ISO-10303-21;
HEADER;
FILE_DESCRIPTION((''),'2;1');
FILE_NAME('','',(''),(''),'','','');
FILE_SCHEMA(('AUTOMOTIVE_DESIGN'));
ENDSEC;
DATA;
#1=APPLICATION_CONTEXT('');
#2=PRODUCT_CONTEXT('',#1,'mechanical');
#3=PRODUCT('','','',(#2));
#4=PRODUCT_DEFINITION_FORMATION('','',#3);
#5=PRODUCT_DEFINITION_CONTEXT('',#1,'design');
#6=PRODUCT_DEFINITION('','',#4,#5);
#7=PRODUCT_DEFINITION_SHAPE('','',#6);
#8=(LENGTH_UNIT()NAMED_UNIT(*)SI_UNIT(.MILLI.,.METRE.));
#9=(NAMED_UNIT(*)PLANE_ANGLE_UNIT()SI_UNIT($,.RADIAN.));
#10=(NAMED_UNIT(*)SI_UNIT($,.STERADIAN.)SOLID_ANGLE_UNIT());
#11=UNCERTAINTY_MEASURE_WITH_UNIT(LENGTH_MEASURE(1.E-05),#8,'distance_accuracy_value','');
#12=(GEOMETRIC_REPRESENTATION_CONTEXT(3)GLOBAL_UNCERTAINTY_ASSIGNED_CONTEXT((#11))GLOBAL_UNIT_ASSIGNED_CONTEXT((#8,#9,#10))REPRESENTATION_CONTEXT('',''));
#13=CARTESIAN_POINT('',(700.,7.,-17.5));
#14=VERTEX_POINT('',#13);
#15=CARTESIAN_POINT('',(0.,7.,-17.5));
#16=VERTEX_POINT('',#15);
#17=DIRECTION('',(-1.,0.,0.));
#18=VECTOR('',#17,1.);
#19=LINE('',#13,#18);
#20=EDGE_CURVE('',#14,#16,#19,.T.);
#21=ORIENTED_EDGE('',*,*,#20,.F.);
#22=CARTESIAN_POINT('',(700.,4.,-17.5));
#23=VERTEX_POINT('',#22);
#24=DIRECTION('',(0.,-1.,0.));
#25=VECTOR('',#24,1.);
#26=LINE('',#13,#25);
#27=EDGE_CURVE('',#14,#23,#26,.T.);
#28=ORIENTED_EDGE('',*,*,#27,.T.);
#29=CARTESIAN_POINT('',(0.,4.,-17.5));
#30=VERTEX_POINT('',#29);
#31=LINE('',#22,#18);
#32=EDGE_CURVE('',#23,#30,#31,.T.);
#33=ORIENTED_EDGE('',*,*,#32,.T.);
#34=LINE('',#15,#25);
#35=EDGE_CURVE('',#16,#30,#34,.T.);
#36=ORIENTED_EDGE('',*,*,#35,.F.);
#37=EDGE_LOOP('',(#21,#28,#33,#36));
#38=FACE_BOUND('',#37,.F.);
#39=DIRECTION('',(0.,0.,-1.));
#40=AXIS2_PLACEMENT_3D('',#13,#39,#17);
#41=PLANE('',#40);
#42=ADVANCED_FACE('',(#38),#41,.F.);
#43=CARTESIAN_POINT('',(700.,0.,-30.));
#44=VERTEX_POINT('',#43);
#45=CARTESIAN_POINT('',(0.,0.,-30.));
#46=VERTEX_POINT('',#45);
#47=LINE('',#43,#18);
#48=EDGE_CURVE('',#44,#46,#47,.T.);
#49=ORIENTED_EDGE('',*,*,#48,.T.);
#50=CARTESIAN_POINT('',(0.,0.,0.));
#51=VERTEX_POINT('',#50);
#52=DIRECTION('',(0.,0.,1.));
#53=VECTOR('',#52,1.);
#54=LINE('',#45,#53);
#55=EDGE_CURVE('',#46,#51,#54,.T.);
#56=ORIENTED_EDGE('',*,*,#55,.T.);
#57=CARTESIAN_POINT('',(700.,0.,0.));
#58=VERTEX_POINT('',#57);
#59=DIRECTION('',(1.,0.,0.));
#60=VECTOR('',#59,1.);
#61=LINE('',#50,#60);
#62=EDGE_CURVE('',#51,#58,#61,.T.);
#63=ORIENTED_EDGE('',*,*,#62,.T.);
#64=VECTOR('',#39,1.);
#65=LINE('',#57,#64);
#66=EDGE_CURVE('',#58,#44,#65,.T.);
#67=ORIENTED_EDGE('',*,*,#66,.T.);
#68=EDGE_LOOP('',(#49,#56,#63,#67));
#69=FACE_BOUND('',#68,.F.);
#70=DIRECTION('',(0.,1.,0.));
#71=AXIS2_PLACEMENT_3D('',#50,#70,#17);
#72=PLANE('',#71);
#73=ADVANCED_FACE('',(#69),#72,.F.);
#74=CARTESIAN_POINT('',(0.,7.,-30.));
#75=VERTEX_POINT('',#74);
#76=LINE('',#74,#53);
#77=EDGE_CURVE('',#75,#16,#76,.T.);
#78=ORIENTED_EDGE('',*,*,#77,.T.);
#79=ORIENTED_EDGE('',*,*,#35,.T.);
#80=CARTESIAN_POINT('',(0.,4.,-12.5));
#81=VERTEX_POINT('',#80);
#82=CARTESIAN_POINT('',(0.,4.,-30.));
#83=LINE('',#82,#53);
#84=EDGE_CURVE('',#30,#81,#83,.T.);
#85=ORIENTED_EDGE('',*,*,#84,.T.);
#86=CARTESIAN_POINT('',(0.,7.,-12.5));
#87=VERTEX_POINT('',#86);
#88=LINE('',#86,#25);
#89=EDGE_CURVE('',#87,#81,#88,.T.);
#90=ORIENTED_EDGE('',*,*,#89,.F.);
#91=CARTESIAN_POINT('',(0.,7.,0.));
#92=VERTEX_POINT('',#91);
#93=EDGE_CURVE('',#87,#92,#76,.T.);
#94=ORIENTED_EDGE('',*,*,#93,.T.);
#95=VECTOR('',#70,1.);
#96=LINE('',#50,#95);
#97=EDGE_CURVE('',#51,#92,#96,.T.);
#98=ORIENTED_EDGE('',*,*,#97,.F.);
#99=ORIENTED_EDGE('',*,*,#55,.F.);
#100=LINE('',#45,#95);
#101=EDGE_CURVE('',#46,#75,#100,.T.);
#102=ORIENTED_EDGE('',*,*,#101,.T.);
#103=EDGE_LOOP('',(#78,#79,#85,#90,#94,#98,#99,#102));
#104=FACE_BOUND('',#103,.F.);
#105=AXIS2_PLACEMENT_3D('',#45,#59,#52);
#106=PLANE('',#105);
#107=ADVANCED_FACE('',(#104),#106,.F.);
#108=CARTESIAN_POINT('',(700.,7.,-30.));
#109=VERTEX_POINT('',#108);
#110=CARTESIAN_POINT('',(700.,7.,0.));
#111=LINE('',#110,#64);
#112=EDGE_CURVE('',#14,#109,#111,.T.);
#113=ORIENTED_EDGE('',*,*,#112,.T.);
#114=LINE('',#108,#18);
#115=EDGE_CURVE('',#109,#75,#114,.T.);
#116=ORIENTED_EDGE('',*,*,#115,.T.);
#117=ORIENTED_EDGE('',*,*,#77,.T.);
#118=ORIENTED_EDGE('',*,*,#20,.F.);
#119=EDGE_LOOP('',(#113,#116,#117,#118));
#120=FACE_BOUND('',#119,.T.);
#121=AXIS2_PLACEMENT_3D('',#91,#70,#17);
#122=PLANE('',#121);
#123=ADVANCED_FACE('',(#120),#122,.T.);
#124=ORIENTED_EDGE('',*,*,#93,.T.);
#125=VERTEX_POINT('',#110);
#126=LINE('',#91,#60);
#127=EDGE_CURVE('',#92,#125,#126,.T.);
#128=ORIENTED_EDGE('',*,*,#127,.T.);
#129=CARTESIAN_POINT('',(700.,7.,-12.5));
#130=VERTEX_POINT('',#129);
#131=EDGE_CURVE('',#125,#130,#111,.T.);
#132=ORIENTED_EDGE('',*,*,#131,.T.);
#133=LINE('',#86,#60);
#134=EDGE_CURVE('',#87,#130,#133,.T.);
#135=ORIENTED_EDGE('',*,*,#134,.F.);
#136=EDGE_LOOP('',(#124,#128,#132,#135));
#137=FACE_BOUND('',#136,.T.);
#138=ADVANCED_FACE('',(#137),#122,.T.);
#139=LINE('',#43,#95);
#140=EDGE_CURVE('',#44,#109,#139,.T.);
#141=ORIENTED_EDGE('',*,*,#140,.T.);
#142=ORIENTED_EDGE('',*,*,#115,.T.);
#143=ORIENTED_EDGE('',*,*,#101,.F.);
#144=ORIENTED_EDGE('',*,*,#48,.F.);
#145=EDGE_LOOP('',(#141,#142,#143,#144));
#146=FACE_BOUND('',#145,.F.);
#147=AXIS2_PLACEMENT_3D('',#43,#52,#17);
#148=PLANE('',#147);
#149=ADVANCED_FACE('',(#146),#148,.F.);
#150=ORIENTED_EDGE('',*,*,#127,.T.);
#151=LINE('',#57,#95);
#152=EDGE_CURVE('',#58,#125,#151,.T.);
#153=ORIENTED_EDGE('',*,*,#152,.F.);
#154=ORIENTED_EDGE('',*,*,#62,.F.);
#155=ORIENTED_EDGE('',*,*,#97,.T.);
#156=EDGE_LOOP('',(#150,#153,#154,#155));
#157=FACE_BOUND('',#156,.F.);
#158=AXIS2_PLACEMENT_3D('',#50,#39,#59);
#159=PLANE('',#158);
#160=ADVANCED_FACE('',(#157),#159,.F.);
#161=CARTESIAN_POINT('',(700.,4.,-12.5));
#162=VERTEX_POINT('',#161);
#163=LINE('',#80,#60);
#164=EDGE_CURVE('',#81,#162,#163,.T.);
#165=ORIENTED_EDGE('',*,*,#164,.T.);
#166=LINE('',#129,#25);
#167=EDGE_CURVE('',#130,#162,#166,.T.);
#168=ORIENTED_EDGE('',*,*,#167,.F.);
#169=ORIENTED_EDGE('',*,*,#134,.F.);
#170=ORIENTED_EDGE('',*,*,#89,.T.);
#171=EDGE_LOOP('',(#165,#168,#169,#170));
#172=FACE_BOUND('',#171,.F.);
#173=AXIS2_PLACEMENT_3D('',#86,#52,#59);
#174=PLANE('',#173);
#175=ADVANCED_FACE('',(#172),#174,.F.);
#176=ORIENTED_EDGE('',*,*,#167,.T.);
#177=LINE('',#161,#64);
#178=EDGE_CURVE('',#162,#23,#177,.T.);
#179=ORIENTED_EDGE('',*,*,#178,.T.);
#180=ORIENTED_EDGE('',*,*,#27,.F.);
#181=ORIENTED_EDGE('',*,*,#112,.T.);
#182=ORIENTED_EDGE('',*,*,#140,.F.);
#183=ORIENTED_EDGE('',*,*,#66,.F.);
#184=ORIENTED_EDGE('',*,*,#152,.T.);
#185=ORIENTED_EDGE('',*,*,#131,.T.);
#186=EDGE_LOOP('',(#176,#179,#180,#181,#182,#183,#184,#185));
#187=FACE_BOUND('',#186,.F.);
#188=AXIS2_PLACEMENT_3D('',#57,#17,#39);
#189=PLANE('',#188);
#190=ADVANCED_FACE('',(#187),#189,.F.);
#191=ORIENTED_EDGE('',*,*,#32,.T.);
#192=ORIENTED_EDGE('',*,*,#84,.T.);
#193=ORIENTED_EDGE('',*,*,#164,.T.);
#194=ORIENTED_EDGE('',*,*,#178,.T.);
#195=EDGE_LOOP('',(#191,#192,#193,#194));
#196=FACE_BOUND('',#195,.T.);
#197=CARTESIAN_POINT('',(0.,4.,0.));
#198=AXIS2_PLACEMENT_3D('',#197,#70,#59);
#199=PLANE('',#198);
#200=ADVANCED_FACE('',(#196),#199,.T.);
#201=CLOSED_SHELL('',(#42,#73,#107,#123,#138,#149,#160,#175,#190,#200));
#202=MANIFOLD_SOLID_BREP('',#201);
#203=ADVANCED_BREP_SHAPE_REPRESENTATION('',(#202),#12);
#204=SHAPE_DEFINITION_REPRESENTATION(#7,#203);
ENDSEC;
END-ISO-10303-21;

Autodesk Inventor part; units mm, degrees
ref_plane "YZ Plane" through (0, 0, 0) normal (1, 0, 0) x (0, 1, 0)
ref_plane "XZ Plane" through (0, 0, 0) normal (0, 1, 0) x (-1, 0, 0)
ref_plane "XY Plane" through (0, 0, 0) normal (0, 0, 1) x (1, 0, 0)
sketch "スケッチ1" plane through (0, 0, 0) normal (0, 1, 0) x (-1, 0, 0)
  line L0 (0, 0) -> (-700, 0)
  line L1 (-700, 0) -> (-700, -30)
  line L2 (-700, -30) -> (0, -30)
  line L3 (0, -30) -> (0, 0)
  dimension "d0" = 700
  dimension "d1" = 30
extrude "押し出し1" add sketch "スケッチ1" along normal blind 7
ref_plane "作業平面1" through (0, 7, 0) normal (0, 1, 0) x (1, 0, 0)
sketch "スケッチ2" plane through (0, 7, 0) normal (0, 1, 0) x (1, 0, 0)
  line L0 (0, 30) -> (0, 0) projected
  line L1 (0, 12.5) -> (700, 12.5)
  line L2 (700, 12.5) -> (700, 17.5)
  line L3 (700, 17.5) -> (0, 17.5)
  line L4 (0, 17.5) -> (0, 12.5)
  point P0 (0, 17.5)
  point P1 (0, 17.5)
  dimension "d5" = 5
  dimension "d6" = 700
  dimension "d7" = 5
extrude "押し出し2" cut sketch "スケッチ2" against normal blind 3
properties part number "guid"
